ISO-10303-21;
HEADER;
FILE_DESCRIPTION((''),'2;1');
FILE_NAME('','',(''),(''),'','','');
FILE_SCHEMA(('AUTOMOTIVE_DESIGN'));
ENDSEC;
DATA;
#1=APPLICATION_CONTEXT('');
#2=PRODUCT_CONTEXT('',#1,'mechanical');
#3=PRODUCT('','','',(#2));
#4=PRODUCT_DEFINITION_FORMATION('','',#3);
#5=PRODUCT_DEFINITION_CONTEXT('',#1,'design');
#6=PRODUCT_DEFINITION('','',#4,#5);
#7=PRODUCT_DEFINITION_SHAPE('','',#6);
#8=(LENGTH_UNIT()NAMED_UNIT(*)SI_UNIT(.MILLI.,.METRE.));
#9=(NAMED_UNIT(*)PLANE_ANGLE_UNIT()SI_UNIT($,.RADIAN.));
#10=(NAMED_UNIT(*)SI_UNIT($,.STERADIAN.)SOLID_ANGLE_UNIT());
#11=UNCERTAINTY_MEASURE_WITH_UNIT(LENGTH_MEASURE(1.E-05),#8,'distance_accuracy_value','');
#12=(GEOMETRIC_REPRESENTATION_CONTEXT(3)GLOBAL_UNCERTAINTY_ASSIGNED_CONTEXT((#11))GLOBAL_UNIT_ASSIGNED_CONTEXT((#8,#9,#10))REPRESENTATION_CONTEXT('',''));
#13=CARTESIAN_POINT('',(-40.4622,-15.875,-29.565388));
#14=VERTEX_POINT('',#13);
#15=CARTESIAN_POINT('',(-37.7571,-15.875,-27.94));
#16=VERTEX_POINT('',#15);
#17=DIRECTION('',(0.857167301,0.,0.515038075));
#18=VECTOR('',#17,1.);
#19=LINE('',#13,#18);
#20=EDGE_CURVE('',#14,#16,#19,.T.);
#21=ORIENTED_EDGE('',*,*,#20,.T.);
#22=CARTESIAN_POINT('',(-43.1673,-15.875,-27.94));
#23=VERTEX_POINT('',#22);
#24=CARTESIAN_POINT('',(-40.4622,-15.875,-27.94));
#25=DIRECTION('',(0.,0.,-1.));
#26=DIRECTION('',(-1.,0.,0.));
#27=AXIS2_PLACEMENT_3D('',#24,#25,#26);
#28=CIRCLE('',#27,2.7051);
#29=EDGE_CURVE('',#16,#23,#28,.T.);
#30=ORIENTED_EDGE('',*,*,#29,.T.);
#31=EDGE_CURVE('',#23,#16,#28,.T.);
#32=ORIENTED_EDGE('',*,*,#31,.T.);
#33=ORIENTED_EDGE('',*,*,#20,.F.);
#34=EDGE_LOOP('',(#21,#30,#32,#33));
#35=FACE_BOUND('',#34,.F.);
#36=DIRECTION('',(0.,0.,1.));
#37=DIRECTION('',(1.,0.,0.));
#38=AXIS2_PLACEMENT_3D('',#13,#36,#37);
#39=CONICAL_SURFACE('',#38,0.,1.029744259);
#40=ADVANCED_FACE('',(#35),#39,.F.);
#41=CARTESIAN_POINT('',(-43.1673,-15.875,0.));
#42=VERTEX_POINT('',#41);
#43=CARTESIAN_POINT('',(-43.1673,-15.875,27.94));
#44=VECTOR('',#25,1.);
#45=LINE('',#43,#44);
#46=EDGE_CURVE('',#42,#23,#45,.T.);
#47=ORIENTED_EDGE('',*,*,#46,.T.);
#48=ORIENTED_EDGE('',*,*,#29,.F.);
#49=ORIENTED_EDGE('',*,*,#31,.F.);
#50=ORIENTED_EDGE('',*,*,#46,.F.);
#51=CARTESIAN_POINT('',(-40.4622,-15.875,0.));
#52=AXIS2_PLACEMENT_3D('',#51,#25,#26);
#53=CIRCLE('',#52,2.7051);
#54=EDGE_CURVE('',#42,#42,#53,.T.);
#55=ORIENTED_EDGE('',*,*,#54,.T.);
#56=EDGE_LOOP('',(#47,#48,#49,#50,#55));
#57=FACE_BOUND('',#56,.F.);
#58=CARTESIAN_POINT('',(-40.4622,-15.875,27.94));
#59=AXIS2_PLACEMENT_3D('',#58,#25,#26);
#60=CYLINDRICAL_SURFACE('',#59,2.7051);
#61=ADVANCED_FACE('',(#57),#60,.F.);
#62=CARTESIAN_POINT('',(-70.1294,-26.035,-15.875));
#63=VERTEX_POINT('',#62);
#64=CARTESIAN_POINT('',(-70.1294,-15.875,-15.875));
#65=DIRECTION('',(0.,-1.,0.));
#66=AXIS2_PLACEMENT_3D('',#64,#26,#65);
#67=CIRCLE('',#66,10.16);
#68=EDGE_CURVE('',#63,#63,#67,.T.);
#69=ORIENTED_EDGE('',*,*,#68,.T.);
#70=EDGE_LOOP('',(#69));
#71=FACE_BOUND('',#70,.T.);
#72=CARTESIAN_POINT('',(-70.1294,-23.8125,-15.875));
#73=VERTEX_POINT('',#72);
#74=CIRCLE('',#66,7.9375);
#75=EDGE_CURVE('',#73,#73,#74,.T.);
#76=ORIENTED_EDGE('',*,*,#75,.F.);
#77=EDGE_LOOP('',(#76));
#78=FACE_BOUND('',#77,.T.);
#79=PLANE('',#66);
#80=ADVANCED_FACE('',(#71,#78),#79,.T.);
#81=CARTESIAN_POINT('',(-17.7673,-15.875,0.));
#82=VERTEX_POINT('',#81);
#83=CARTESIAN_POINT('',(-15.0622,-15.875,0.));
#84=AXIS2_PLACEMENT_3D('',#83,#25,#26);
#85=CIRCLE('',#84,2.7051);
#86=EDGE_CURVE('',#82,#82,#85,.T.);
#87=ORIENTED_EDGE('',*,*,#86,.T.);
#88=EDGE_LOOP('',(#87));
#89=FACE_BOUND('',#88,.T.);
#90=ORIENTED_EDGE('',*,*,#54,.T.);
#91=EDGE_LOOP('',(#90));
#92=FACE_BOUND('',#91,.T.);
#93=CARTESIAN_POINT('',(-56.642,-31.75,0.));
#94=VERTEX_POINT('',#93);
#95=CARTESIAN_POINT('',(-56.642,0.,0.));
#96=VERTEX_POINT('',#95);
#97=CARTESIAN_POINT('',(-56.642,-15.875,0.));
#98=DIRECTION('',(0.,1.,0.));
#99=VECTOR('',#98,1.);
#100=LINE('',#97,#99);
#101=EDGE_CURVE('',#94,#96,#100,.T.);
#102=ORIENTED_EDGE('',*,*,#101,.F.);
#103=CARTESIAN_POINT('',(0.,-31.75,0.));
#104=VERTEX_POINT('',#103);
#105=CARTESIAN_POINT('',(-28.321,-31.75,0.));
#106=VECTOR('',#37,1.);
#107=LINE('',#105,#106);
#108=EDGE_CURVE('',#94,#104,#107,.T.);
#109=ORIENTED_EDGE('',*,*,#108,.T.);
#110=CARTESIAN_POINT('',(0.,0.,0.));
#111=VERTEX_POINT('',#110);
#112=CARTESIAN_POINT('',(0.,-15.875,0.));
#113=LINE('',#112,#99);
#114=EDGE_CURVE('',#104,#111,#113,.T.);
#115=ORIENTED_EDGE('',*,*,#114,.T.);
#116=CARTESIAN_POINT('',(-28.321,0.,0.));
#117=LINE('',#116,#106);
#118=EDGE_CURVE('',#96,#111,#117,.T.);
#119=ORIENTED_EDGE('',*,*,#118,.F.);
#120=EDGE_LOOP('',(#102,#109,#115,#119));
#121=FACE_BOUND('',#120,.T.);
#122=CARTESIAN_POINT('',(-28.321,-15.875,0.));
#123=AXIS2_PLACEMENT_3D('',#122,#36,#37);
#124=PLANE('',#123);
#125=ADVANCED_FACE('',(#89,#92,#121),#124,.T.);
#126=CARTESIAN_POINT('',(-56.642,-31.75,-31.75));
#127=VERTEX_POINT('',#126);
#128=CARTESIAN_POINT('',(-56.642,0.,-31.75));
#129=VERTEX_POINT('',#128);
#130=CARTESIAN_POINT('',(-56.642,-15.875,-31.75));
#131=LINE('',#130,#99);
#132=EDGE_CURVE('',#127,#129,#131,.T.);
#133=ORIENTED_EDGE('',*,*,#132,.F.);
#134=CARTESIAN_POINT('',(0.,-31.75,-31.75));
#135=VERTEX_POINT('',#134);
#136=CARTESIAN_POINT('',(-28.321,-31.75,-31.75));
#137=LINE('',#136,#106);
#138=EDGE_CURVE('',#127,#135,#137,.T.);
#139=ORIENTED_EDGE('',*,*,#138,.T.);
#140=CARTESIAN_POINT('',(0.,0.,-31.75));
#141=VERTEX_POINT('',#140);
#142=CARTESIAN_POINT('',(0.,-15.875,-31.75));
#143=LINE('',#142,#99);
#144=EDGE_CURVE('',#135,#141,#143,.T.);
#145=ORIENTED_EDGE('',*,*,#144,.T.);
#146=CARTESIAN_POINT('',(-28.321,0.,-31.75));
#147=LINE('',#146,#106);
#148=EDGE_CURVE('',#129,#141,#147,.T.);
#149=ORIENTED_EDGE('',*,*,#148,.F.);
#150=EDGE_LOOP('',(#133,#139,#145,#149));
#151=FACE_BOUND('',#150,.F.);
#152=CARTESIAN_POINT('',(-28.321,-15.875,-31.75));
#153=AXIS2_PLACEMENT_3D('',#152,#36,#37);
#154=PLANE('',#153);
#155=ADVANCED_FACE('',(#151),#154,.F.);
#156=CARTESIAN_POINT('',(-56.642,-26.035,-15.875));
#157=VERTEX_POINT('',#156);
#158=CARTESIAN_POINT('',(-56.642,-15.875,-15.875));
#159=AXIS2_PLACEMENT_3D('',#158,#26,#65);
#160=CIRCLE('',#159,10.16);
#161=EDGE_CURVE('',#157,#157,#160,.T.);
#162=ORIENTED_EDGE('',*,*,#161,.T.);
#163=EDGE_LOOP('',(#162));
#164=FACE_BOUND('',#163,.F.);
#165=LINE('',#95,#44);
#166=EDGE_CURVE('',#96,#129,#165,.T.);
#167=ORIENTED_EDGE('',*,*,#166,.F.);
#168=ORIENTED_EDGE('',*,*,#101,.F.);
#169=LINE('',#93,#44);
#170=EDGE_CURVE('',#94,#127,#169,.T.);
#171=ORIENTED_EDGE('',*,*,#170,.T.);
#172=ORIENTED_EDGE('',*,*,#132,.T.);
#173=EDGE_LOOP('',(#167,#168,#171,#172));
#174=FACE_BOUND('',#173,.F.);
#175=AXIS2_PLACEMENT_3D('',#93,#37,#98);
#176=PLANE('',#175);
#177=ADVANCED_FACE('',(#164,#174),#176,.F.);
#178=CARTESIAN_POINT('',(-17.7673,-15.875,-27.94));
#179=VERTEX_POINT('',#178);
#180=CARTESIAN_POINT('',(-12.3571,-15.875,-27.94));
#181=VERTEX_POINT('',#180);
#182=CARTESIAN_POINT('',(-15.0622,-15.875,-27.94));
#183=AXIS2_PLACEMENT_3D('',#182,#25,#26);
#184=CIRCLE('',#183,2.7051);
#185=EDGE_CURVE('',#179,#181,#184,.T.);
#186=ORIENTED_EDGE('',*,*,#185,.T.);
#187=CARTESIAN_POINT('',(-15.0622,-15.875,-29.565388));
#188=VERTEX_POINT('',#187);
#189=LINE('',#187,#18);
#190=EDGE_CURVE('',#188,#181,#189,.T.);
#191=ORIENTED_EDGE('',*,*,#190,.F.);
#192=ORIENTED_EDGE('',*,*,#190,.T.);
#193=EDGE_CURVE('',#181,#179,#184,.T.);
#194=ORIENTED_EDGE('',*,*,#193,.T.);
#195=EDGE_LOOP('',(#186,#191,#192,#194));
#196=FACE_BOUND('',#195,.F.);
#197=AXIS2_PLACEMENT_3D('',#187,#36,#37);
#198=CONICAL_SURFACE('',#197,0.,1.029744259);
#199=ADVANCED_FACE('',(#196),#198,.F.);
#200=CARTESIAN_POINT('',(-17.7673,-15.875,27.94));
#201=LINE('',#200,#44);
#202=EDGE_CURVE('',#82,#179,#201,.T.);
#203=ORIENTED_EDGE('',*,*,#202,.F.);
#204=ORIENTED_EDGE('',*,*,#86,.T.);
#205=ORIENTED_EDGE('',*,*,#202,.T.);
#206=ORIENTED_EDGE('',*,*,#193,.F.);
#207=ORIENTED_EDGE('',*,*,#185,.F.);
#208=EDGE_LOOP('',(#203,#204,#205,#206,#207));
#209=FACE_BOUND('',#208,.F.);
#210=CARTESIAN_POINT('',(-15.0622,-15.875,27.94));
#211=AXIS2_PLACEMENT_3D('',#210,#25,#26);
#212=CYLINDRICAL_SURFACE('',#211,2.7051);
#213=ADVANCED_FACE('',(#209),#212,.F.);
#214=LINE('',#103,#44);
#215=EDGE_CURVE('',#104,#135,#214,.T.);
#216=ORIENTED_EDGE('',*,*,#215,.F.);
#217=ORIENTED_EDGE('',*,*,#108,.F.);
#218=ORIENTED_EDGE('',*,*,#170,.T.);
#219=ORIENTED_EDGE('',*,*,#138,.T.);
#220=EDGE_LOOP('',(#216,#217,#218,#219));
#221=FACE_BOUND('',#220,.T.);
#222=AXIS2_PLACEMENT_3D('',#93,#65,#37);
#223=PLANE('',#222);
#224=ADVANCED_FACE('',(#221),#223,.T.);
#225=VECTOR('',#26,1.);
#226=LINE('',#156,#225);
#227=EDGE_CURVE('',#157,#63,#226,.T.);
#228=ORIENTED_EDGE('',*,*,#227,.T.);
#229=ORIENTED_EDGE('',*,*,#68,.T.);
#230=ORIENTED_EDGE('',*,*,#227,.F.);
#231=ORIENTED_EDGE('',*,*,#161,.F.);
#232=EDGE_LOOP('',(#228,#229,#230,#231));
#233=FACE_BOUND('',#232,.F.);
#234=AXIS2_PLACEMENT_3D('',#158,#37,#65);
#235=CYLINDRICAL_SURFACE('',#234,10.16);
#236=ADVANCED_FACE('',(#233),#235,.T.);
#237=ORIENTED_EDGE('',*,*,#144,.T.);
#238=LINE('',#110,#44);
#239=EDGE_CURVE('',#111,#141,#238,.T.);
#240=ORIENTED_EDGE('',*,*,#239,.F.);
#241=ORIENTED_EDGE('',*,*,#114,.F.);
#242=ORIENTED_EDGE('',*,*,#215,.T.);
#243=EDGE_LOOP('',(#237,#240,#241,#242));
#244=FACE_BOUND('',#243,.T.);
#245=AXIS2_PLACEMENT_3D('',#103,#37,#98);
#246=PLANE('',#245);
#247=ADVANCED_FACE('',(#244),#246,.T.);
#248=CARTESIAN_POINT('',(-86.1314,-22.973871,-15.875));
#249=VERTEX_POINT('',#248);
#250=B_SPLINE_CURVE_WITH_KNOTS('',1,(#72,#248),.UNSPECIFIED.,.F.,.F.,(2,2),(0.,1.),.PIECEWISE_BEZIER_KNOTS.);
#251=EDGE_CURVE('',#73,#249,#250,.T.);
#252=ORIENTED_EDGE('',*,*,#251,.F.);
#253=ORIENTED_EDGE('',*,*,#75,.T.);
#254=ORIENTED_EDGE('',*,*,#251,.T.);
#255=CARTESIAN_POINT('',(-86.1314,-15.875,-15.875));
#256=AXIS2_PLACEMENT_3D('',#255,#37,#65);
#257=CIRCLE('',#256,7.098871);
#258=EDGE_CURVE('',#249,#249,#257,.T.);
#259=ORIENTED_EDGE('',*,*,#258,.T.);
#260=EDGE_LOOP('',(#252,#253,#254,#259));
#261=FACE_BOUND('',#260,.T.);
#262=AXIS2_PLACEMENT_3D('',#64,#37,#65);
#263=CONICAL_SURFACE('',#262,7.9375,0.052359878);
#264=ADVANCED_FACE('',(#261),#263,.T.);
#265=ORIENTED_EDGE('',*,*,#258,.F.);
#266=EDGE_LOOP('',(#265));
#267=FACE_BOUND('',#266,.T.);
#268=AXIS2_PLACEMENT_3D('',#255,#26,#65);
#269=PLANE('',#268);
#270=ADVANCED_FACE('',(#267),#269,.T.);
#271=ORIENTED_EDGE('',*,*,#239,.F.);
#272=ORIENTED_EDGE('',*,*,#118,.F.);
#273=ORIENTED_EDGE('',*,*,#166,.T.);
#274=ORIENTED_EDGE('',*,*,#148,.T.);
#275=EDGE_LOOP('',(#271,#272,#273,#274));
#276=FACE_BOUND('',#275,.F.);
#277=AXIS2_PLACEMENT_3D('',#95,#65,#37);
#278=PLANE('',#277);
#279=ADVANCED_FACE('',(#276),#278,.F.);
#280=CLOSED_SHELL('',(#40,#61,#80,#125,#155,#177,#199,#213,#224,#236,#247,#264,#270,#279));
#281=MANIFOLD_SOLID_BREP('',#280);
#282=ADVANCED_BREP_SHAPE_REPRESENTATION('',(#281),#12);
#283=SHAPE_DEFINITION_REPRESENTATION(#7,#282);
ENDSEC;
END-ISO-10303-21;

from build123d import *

# Parameters (mm, degrees)
F0_W     = 56.642
F0_H     = 31.75
F1_DEPTH = 31.75
F2_R     = 10.16
F3_DEPTH = 13.4874
F4_R     = 7.9375
F5_DEPTH = 16.002
F5_TAPER = 3
F7_D     = 5.4102
F7_DEPTH = 27.94
F7_TIP   = 1.6253880605


with BuildPart() as f1:
    # F0 (on Top) → F1 (new body)
    with BuildSketch(Plane.XY):
        with Locations((-28.321, -15.875)):
            Rectangle(F0_W, F0_H)
    extrude(amount=-F1_DEPTH)

    # F2 (on face) → F3 (join)
    with BuildSketch(Plane(origin=(-56.642, 0, 0), x_dir=(0, -1, 0), z_dir=(-1, 0, 0))):
        with Locations((15.875, -15.875)):
            Circle(F2_R)
    extrude(amount=F3_DEPTH)

    # F4 (on face) → F5 (join)
    with BuildSketch(Plane(origin=(-70.1294, 0, 0), x_dir=(0, -1, 0), z_dir=(-1, 0, 0))):
        with Locations((15.875, -15.875)):
            Circle(F4_R)
    extrude(amount=F5_DEPTH, taper=F5_TAPER)

    # F7
    with Locations(Plane.XY):
        with Locations((-15.0622, -15.875), (-40.4622, -15.875)):
            Hole(F7_D / 2, depth=F7_DEPTH)
            with Locations((0, 0, -(F7_DEPTH + F7_TIP / 2))):  # 118° drill point
                Cone(0, F7_D / 2, F7_TIP, mode=Mode.SUBTRACT)


solid = f1.part
